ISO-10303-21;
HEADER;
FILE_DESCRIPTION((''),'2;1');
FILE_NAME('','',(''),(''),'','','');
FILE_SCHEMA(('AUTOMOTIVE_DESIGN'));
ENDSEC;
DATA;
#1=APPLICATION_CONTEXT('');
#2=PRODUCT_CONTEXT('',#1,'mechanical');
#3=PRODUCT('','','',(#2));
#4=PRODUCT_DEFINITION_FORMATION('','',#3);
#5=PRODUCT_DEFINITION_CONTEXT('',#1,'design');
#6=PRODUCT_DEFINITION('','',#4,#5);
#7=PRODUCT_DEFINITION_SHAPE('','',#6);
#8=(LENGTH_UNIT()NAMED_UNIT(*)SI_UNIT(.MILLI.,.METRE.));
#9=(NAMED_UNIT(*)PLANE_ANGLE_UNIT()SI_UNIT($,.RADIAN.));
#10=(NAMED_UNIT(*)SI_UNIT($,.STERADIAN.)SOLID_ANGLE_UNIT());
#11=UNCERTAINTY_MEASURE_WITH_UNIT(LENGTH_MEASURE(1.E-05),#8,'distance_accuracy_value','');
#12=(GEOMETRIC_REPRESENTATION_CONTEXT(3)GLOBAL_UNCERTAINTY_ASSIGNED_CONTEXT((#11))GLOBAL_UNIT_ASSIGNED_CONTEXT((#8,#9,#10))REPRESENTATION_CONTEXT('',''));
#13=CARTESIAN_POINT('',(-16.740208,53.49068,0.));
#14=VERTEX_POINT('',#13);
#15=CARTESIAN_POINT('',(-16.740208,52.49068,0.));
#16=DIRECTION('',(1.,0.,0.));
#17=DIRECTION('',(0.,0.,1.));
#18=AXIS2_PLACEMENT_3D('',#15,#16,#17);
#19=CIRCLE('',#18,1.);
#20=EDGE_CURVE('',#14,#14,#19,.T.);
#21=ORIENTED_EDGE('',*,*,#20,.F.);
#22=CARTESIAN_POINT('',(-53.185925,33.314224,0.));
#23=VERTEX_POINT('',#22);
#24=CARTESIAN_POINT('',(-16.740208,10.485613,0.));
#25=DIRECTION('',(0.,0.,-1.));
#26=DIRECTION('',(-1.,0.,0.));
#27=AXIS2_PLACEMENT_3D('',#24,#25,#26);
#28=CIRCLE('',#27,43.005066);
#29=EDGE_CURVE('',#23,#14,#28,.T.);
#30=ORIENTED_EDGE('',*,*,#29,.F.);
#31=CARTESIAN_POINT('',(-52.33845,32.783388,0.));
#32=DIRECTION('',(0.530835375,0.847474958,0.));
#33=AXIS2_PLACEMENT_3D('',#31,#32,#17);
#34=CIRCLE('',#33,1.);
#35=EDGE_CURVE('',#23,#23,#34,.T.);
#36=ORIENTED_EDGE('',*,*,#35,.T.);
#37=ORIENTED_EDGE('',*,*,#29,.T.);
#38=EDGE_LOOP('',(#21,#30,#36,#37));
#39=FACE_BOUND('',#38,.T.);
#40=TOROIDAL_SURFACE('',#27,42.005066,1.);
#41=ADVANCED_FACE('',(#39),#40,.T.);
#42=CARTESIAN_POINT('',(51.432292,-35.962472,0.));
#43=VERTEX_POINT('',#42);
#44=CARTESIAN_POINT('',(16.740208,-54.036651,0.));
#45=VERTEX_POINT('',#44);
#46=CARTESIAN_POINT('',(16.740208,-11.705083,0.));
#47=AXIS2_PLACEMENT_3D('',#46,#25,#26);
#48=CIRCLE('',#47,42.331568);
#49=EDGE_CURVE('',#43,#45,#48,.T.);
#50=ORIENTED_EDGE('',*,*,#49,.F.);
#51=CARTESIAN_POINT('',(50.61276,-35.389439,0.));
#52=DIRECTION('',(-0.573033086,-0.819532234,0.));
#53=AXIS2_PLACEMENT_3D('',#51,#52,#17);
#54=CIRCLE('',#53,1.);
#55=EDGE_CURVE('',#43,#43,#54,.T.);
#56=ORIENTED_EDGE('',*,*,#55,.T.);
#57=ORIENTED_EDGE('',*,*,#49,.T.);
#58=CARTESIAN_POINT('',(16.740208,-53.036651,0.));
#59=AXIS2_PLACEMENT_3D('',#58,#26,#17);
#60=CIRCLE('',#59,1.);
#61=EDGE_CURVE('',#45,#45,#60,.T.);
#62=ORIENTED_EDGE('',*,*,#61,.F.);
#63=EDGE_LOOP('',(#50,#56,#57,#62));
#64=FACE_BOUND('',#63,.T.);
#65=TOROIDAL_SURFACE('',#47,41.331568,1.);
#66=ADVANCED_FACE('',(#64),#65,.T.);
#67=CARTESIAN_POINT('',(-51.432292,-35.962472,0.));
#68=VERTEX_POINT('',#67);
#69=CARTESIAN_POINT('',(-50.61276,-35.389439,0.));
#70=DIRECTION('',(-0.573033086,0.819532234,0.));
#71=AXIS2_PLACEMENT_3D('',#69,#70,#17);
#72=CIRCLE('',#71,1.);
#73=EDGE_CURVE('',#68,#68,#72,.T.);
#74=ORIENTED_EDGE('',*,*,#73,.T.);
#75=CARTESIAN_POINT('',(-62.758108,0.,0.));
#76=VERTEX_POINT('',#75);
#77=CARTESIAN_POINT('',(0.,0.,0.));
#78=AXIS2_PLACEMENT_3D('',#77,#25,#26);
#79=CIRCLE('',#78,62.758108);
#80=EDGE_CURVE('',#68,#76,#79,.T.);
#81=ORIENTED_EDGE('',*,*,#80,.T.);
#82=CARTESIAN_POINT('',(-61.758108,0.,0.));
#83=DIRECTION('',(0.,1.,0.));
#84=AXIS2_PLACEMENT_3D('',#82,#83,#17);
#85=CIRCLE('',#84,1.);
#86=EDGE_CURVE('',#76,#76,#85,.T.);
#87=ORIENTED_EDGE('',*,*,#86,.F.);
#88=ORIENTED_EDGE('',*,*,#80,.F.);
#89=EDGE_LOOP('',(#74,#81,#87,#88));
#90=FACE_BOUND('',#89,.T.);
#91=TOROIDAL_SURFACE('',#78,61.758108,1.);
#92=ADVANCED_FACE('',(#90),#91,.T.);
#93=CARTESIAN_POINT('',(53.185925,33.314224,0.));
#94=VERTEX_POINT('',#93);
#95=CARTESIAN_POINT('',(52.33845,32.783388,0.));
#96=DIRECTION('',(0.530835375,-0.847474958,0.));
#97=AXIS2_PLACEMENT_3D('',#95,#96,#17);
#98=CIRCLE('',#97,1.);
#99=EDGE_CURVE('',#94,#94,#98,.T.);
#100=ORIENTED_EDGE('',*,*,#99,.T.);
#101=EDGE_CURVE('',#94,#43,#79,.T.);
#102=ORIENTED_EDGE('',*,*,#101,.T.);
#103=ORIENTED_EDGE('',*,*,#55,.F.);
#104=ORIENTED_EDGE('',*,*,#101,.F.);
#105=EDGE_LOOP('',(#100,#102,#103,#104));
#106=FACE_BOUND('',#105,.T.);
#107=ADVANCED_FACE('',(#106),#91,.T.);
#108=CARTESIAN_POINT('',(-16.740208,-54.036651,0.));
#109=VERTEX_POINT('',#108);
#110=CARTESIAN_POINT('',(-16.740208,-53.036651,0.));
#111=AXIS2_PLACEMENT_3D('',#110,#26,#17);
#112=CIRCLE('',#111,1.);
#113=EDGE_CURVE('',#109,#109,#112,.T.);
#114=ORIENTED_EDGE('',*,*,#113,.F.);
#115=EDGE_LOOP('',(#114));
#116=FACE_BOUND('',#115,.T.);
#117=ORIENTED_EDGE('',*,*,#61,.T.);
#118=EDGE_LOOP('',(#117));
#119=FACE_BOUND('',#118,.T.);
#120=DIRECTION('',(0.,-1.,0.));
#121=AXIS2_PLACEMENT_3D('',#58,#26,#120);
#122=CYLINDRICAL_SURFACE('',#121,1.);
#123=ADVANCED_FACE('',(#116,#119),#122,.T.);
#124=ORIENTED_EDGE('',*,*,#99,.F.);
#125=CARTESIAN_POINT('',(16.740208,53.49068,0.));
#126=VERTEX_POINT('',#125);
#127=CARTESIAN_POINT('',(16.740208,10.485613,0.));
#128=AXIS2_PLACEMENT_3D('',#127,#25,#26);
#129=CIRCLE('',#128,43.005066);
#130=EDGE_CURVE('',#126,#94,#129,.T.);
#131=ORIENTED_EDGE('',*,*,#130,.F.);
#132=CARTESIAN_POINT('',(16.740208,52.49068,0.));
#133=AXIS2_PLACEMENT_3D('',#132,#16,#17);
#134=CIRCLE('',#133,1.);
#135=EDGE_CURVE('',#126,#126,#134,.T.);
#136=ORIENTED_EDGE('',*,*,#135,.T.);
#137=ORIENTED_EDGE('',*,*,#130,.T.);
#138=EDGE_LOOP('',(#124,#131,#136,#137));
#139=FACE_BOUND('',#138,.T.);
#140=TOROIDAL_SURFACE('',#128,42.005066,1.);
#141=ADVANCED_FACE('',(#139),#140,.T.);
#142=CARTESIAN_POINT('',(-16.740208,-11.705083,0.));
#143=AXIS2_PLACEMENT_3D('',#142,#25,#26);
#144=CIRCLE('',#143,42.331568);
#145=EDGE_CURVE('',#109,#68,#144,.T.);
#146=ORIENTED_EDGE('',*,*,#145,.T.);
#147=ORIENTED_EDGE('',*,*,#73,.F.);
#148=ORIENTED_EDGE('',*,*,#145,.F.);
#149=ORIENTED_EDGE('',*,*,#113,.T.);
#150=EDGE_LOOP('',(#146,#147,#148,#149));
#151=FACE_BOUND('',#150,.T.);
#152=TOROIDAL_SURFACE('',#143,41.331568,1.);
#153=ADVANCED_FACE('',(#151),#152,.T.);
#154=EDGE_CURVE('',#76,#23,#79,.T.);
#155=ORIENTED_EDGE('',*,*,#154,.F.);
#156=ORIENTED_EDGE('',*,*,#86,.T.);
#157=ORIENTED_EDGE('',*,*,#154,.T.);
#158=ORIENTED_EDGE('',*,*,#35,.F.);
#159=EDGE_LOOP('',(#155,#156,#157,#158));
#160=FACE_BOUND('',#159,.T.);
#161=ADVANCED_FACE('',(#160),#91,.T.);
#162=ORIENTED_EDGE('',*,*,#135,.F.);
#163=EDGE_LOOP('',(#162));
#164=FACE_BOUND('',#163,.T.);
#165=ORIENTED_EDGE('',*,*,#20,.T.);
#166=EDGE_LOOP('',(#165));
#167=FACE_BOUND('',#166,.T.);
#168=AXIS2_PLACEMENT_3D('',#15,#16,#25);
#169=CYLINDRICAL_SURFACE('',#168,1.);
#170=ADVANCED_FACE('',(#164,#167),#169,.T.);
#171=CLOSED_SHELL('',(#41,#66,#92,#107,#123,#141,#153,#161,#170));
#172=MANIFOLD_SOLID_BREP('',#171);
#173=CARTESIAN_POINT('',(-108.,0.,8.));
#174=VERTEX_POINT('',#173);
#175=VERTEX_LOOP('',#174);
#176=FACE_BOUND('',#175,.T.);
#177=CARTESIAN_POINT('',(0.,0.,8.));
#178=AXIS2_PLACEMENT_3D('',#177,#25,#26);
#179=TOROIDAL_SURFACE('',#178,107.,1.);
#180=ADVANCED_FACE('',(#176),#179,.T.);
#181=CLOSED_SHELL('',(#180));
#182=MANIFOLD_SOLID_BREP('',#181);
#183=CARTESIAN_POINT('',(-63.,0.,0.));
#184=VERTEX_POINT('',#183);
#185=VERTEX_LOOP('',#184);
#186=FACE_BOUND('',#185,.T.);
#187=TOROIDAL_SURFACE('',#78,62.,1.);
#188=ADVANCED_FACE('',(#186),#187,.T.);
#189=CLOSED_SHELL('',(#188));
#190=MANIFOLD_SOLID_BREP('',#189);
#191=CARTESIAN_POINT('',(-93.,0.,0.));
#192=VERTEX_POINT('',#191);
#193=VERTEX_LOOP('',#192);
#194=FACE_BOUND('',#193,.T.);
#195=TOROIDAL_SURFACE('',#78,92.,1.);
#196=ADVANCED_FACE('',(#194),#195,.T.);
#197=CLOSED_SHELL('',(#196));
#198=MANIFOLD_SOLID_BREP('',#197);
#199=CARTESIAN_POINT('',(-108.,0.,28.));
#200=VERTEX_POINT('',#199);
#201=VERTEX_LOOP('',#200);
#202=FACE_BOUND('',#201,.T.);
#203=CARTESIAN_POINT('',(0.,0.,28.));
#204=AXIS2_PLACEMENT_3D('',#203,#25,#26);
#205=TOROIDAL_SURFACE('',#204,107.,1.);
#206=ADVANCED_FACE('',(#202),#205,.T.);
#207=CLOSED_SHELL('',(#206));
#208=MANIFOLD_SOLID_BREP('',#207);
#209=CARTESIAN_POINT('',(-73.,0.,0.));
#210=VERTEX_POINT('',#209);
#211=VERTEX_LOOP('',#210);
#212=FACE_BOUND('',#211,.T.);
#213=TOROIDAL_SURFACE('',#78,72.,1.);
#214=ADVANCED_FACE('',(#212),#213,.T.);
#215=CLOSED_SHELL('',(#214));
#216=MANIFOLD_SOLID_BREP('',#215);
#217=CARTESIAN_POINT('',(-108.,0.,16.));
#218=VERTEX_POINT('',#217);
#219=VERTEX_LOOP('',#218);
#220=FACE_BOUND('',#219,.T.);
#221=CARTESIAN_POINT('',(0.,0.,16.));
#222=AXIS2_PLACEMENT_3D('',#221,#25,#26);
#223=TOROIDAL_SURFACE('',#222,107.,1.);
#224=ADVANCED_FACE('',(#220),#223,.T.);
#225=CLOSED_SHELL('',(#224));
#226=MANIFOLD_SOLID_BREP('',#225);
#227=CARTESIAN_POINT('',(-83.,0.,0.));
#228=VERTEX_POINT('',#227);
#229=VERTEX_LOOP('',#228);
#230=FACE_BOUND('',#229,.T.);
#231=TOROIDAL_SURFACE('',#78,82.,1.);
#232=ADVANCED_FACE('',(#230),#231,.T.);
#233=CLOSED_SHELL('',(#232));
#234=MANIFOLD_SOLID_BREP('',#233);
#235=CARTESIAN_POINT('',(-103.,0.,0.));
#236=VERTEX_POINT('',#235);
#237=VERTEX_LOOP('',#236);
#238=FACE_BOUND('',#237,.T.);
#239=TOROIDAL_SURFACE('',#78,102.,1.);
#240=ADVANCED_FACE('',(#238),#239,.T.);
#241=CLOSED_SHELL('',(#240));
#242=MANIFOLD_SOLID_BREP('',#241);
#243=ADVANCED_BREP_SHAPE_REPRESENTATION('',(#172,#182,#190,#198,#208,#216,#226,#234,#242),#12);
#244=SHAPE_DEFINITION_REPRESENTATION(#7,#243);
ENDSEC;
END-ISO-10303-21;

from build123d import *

# Parameters (mm, degrees)
SKETCH_4_R = 1
SKETCH_2_R = 1


with BuildPart() as part:
    # Эскиз4 → Повернуть1 (revolve)
    with BuildSketch(Plane(origin=(0, 0, 0), x_dir=(1, 0, 0), z_dir=(0, 1, 0))):
        with Locations((-62, 0)):
            Circle(SKETCH_4_R)
        with Locations((-72, 0)):
            Circle(SKETCH_4_R)
        with Locations((-82, 0)):
            Circle(SKETCH_4_R)
        with Locations((-92, 0)):
            Circle(SKETCH_4_R)
        with Locations((-102, 0)):
            Circle(SKETCH_4_R)
        with Locations((-107, -8)):
            Circle(SKETCH_4_R)
        with Locations((-107, -16)):
            Circle(SKETCH_4_R)
        with Locations((-107, -28)):
            Circle(SKETCH_4_R)
    revolve(axis=Axis((0, 0, -25.393789192), (0, 0, 1)))


with BuildPart() as body_2:
    # По траектории1: sweep along a path in Эскиз1
    with BuildLine(Plane.XY) as sweep_1_path:
        Line((-16.740207976, 52.490679576), (16.740207976, 52.490679576))
        ThreePointArc((16.740207976, 52.490679576), (37.084815097, 47.235069833), (52.338449888, 32.783388329))
        ThreePointArc((52.338449888, 32.783388329), (61.738330967, -1.56281044), (50.612760113, -35.389439114))
        ThreePointArc((50.612760113, -35.389439114), (35.837157204, -48.360301586), (16.740207976, -53.036651102))
        Line((16.740207976, -53.036651102), (-16.740207976, -53.036651102))
        ThreePointArc((-16.740207976, -53.036651102), (-35.837157204, -48.360301586), (-50.612760113, -35.389439114))
        ThreePointArc((-50.612760113, -35.389439114), (-61.738330967, -1.56281044), (-52.338449888, 32.783388329))
        ThreePointArc((-52.338449888, 32.783388329), (-37.084815097, 47.235069833), (-16.740207976, 52.490679576))
    # Эскиз2 → По траектории1 (sweep)
    with BuildSketch(Plane(origin=(0, 0, 0), x_dir=(1, 0, 0), z_dir=(0, 1, 0))):
        with Locations((-61.758107865, 0)):
            Circle(SKETCH_2_R)
    sweep(path=sweep_1_path.line)


solid = Compound([part.part, body_2.part])
